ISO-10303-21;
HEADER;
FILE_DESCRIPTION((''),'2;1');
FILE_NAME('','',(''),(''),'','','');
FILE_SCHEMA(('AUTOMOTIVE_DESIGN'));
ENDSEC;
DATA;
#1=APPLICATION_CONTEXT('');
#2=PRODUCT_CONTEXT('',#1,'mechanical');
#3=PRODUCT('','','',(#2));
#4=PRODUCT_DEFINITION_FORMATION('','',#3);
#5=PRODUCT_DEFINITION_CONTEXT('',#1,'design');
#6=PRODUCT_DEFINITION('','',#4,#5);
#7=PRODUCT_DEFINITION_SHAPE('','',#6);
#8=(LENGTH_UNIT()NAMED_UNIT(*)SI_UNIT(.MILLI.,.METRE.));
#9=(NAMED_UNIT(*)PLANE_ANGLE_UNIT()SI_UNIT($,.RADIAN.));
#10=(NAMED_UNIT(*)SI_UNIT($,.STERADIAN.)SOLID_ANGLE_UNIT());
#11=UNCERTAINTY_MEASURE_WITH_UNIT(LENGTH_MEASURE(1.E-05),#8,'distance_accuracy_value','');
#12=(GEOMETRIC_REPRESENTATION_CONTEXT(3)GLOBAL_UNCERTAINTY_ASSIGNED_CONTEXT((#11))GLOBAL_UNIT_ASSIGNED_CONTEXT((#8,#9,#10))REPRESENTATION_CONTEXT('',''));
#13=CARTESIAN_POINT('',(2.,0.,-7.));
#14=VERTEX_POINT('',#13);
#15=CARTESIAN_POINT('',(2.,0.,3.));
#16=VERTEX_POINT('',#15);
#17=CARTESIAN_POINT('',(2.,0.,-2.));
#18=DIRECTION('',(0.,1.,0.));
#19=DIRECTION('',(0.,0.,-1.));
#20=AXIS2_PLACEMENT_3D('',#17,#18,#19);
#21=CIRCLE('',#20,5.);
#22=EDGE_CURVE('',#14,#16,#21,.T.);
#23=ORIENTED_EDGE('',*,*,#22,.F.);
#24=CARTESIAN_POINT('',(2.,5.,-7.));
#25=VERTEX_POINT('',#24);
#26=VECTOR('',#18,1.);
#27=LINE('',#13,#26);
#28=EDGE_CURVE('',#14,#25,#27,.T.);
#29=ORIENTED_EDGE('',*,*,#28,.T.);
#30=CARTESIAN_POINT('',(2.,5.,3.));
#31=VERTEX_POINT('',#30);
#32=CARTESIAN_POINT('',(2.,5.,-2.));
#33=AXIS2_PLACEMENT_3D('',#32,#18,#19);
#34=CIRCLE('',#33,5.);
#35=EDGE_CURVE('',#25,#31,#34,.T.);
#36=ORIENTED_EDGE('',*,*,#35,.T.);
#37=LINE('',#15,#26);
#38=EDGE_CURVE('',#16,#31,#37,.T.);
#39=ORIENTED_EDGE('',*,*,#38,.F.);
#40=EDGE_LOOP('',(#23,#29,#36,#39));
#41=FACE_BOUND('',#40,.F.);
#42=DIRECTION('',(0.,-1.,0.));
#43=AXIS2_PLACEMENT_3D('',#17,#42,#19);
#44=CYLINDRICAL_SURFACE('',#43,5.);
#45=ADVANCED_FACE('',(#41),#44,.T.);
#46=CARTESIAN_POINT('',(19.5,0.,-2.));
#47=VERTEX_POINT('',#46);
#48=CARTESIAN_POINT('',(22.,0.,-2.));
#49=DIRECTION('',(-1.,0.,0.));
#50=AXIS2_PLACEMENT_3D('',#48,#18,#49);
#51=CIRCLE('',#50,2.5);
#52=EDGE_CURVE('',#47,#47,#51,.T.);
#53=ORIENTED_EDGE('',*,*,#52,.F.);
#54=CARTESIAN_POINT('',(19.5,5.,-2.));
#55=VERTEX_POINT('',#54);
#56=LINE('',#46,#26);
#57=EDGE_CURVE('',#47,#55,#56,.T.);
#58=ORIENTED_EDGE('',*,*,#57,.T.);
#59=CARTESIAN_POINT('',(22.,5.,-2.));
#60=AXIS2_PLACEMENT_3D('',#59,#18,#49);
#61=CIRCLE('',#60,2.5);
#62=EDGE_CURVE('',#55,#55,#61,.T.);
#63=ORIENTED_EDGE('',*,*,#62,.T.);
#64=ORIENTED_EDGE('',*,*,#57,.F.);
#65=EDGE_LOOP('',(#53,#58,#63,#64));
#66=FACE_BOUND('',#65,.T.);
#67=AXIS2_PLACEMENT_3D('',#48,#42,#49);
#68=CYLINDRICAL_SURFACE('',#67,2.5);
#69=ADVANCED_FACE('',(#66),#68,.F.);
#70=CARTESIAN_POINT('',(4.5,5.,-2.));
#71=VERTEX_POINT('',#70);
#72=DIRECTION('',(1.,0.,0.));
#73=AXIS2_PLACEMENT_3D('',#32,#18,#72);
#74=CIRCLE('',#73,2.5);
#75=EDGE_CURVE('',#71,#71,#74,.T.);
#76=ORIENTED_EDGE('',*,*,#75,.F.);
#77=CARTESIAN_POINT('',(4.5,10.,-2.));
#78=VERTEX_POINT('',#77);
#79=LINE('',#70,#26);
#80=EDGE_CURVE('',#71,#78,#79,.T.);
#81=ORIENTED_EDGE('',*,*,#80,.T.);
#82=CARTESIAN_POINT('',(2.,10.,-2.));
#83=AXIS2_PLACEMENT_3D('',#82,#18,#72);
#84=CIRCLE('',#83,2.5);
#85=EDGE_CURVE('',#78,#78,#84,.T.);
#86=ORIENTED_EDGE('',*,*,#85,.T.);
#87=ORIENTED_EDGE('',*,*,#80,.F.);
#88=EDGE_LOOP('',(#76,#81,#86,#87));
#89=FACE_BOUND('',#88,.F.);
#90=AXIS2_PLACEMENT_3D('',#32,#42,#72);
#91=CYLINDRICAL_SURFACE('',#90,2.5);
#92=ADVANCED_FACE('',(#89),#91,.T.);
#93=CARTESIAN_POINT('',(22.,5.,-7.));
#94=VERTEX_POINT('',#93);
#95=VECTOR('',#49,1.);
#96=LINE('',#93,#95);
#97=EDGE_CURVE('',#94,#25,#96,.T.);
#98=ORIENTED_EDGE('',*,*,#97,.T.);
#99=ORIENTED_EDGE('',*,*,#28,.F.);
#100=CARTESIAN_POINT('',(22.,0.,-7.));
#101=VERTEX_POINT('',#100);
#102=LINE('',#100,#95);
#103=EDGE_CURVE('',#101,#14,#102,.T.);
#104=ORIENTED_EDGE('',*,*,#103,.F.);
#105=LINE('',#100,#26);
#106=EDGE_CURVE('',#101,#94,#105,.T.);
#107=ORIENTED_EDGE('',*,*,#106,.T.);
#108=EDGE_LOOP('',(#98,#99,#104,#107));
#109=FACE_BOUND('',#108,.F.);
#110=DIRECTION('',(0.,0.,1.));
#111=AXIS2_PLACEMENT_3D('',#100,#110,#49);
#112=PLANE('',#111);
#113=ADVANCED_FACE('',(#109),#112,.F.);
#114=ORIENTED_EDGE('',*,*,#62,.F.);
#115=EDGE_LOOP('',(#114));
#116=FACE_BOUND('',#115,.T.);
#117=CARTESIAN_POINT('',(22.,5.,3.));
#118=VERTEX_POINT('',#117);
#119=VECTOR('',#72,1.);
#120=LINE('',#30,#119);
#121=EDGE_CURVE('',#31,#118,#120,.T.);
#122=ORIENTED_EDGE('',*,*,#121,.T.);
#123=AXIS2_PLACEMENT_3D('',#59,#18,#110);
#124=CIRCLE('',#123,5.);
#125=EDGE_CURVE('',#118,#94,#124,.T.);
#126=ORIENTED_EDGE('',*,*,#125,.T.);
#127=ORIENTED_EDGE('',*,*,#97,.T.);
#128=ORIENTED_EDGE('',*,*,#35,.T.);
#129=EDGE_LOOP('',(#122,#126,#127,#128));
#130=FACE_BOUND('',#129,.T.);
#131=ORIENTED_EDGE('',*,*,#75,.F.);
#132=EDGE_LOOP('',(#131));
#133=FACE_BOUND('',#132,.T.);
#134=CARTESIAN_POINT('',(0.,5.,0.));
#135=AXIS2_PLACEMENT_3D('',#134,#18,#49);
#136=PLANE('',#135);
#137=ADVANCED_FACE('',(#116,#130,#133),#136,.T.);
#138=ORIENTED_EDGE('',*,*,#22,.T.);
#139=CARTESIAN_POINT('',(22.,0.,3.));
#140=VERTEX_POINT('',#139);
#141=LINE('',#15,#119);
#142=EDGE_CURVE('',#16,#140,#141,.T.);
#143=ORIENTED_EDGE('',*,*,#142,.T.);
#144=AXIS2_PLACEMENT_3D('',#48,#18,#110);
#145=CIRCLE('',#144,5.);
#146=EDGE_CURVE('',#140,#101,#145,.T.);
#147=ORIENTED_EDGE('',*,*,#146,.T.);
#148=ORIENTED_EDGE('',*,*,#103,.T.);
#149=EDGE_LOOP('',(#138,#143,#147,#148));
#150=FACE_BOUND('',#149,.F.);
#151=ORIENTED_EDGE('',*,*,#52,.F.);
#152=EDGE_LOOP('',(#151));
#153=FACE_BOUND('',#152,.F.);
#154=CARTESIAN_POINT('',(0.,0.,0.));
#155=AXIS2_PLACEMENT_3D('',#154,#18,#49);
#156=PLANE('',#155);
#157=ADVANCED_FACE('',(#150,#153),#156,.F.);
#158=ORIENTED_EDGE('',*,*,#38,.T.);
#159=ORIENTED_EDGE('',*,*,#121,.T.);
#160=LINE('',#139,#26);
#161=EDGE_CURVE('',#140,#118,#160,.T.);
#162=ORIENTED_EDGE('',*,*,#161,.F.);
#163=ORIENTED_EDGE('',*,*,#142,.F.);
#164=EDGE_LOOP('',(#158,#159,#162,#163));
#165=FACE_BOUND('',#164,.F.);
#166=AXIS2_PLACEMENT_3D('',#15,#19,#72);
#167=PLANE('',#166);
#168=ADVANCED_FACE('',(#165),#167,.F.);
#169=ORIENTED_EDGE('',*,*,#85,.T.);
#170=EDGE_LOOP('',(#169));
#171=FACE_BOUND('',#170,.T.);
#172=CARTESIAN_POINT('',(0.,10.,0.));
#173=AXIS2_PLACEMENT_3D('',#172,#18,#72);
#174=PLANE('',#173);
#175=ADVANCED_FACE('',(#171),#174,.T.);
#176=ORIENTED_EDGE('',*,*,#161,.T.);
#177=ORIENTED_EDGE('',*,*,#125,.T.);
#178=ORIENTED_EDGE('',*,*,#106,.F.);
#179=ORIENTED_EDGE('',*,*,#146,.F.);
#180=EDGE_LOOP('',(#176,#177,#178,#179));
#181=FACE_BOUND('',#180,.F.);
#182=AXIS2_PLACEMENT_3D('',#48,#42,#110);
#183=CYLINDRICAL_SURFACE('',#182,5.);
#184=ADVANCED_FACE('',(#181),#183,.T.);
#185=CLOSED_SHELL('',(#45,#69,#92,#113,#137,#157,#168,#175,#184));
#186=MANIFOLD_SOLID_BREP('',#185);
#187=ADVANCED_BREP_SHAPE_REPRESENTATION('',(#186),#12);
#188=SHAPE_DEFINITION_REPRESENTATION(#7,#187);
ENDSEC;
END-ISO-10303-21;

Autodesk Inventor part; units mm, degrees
ref_plane "YZ Plane" through (0, 0, 0) normal (1, 0, 0) x (0, 1, 0)
ref_plane "XZ Plane" through (0, 0, 0) normal (0, 1, 0) x (-1, 0, 0)
ref_plane "XY Plane" through (0, 0, 0) normal (0, 0, 1) x (1, 0, 0)
sketch "Sketch1" plane through (0, 0, 0) normal (0, 1, 0) x (-1, 0, 0)
  line L0 (-2, -2) -> (-22, -2) construction
  line L1 (-2, 3) -> (-22, 3)
  line L2 (-22, -7) -> (-2, -7)
  arc A0 (-2, -7) -> (-2, 3) centre (-2, -2) ccw
  arc A1 (-22, 3) -> (-22, -7) centre (-22, -2) ccw
  circle A2 centre (-2, -2) radius 2.5
  circle A3 centre (-22, -2) radius 2.5
  point P0 (0, 0)
  point P1 (-12, -2)
  dimension "d0" = 20
  dimension "d1" = 10
  dimension "d2" = 5
extrude "Extrusion1" add sketch "Sketch1" along normal blind 5 contours A0 L2 A1 L1 | A2
sketch "Sketch2" plane through (0, 5, 0) normal (0, 1, 0) x (1, 0, 0)
  circle A0 centre (2, 2) radius 2.5 projected
  point P0 (0, 0)
extrude "Extrusion3" add sketch "Sketch2" along normal blind 5
